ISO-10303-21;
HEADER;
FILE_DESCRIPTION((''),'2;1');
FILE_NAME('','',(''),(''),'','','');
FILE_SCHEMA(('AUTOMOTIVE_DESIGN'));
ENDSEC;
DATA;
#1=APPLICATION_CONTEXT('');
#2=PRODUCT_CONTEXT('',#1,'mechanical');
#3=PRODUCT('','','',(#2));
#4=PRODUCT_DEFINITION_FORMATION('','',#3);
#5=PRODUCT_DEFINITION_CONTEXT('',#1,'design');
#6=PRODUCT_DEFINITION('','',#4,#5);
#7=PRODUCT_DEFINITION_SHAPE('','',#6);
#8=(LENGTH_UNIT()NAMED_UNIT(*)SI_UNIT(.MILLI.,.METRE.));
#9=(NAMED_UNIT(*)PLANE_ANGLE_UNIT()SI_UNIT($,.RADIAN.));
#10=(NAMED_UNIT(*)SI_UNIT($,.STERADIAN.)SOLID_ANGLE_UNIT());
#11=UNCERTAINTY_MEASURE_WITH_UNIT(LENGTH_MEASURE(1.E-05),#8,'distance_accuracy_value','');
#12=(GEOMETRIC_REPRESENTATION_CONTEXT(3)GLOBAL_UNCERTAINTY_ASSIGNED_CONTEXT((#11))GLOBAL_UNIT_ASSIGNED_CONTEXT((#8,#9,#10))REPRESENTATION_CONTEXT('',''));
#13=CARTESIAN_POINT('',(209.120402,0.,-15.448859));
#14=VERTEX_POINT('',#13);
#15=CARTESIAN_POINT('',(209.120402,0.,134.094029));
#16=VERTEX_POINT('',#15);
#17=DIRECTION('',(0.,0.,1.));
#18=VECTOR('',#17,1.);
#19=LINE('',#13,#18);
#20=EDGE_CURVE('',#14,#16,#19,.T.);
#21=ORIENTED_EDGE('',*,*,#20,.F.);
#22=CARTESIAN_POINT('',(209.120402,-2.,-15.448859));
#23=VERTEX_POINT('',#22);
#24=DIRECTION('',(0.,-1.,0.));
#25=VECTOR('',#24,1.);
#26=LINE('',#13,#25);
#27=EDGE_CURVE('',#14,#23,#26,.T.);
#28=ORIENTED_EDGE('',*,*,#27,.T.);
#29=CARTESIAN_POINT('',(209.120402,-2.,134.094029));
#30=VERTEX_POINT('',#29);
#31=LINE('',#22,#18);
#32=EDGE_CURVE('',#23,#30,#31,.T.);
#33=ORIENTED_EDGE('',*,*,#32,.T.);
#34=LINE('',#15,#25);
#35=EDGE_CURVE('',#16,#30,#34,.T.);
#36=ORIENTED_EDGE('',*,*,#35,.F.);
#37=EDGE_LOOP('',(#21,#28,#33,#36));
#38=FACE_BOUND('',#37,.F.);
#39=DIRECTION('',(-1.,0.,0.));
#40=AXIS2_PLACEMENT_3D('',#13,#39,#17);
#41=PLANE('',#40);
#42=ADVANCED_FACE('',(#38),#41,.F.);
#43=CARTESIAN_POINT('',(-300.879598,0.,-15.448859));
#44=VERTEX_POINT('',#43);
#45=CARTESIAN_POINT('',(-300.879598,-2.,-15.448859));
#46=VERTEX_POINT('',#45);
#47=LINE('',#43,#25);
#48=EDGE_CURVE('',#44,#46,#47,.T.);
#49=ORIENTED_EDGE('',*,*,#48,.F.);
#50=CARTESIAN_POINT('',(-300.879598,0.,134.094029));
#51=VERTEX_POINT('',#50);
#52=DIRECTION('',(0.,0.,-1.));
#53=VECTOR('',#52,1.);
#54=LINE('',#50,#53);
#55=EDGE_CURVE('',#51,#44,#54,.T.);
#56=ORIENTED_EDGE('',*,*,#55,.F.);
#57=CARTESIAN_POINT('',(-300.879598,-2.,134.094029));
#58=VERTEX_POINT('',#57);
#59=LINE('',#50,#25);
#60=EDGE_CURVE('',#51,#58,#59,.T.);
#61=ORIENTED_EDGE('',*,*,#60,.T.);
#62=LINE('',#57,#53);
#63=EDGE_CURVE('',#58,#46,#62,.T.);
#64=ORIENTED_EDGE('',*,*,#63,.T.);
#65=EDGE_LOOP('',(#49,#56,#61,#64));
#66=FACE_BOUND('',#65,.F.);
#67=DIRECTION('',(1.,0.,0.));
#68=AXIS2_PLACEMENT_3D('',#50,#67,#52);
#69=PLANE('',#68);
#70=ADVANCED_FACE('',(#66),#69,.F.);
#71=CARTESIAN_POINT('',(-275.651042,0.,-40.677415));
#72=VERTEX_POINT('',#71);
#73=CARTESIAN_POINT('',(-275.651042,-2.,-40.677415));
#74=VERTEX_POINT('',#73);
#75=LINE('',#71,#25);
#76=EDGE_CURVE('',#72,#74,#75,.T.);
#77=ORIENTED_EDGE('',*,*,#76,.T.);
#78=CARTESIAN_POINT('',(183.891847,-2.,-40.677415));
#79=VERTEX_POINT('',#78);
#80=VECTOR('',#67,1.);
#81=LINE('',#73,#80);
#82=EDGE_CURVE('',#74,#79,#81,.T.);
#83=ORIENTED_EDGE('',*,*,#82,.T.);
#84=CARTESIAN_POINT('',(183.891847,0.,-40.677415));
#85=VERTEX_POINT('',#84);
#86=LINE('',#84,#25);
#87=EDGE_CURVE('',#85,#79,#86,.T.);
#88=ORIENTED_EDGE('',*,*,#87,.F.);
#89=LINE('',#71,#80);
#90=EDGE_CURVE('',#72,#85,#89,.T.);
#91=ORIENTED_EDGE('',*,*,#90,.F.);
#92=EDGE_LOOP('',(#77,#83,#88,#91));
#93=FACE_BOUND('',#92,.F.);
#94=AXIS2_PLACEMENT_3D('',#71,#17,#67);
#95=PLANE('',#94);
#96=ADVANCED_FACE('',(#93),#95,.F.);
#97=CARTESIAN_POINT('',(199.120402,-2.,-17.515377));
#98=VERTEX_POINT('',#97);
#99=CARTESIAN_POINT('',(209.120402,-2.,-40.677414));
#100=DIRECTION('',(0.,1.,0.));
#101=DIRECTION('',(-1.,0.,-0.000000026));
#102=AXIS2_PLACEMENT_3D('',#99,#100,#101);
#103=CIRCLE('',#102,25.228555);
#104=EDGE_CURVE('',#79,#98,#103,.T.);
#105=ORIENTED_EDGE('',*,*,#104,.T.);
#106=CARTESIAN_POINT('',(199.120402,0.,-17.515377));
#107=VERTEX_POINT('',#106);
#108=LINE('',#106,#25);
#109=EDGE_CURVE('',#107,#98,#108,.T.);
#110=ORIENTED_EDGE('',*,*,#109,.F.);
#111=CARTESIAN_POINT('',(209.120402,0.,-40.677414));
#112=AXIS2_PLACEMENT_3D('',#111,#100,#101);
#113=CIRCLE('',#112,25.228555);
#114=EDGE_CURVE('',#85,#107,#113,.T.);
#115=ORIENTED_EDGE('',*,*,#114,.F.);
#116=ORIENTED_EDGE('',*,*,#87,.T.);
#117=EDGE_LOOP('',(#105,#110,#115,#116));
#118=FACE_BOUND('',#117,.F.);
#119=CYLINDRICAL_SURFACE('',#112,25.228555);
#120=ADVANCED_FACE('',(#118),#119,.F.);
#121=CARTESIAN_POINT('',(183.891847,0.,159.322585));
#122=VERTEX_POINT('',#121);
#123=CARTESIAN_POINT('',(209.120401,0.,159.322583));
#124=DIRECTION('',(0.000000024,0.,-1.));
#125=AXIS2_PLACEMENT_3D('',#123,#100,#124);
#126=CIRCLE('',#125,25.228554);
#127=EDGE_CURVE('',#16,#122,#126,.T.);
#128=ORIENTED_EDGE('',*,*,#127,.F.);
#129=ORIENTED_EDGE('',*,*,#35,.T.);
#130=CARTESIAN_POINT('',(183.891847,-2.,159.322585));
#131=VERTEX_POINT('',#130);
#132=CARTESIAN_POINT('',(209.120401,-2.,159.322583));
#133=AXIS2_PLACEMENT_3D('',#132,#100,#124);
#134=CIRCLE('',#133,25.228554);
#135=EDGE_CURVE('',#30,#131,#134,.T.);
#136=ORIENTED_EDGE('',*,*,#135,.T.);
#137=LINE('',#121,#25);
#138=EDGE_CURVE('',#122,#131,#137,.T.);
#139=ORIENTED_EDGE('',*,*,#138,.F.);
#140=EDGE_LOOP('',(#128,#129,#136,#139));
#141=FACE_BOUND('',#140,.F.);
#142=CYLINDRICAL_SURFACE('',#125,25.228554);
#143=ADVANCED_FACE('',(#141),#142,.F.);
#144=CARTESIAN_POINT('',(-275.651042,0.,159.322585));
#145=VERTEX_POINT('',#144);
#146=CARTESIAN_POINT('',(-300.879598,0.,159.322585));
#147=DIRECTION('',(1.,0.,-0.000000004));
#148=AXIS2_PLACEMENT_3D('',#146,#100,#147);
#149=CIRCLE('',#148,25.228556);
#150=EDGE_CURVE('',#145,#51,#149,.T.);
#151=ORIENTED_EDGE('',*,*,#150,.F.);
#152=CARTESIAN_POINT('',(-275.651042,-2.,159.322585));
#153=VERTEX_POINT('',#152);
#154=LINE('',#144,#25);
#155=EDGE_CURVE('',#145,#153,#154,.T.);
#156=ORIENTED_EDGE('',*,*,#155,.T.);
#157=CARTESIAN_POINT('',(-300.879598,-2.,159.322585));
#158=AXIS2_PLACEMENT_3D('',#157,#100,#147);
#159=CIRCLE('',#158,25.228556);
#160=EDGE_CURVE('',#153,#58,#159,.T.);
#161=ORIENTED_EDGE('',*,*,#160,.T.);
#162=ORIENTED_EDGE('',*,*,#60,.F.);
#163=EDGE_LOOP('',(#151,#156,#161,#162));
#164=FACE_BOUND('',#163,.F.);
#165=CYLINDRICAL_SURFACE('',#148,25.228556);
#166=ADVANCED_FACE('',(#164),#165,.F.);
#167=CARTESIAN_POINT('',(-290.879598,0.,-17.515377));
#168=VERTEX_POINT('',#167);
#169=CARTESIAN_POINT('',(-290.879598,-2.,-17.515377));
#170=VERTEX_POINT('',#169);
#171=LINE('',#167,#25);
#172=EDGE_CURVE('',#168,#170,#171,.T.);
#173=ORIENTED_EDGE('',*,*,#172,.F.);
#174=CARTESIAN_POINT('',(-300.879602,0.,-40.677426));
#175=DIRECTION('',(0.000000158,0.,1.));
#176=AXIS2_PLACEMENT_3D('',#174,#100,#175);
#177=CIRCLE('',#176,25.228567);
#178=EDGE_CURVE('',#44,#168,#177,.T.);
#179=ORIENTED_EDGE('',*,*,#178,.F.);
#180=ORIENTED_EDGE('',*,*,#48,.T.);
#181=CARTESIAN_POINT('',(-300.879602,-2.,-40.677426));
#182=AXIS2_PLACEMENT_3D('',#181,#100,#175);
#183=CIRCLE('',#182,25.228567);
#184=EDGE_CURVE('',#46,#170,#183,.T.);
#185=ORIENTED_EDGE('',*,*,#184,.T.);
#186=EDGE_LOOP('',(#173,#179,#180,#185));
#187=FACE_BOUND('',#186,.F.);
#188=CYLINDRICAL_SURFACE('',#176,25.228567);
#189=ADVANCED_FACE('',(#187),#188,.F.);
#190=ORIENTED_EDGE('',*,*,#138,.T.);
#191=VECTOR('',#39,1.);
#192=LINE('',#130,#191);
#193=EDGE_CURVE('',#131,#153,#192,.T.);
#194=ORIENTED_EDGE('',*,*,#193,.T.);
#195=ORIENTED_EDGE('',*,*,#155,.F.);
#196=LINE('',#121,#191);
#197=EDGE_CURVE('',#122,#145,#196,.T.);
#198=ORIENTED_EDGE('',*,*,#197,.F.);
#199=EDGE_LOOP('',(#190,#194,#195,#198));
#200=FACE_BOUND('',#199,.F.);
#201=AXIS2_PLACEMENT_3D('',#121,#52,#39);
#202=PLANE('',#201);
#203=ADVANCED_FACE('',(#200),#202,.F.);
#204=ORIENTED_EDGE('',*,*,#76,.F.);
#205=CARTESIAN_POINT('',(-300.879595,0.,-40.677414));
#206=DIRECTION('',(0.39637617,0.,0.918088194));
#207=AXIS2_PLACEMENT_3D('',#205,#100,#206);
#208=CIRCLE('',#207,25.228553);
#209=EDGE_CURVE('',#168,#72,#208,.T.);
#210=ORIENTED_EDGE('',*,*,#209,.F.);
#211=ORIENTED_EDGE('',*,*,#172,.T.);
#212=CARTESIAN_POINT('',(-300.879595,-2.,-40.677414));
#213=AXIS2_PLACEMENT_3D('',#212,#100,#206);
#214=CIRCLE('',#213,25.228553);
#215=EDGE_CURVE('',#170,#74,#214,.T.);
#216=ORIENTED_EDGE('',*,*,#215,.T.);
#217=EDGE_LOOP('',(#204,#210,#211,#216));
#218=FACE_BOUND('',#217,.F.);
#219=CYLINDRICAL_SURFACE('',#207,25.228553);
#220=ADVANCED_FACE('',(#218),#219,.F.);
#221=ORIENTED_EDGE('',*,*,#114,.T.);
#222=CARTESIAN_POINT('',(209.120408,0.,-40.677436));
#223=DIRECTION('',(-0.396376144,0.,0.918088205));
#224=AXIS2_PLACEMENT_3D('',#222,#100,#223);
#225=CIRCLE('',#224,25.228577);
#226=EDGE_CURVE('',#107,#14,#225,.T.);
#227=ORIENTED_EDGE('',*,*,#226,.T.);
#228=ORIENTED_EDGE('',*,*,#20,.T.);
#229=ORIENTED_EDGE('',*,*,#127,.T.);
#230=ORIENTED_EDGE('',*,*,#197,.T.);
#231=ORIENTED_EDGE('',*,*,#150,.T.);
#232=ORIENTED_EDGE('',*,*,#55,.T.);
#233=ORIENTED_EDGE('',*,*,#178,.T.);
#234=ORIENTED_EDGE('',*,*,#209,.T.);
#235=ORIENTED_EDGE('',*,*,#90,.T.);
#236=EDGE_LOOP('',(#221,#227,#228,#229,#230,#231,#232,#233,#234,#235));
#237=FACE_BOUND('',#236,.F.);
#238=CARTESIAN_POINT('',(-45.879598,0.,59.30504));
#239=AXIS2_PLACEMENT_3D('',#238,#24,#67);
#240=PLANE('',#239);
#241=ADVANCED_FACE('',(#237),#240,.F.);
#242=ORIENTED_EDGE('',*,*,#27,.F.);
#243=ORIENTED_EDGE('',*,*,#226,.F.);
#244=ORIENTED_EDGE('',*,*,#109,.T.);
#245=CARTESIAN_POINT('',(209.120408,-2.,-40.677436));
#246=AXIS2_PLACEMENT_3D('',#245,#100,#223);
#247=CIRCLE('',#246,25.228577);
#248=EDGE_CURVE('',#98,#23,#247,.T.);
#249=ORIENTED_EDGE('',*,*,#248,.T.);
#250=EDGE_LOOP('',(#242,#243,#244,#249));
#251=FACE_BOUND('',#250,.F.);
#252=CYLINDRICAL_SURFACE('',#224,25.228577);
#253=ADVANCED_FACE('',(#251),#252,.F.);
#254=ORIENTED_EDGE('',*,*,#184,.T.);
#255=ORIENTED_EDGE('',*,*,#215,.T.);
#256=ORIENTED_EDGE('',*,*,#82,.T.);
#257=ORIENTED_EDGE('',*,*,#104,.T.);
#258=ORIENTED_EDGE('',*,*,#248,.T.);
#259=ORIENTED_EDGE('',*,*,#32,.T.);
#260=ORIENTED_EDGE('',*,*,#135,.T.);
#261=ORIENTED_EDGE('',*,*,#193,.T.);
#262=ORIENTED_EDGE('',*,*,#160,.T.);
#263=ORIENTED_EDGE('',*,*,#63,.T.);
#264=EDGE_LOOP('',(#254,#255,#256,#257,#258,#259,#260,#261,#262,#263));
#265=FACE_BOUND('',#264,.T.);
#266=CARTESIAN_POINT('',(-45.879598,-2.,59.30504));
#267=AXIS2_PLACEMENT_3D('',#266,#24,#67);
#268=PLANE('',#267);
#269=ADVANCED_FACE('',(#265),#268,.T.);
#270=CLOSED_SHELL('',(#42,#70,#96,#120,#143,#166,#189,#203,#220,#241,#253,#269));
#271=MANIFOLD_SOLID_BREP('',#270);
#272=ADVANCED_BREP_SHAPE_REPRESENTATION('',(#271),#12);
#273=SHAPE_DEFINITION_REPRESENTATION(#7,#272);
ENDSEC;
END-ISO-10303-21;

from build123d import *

# Parameters (mm, degrees)
F1_DEPTH = 2


with BuildPart() as f1:
    # F0 (on Front) → F1 (new body)
    with BuildSketch(Plane.XZ):
        with BuildLine():
            Line((-300.879598, 134.094029), (-300.879598, 129.322585))
            Line((-300.879598, 129.322585), (-300.879598, -15.448859))
            ThreePointArc((-300.879598, -15.448859), (-295.773951, -15.97089), (-290.879598, -17.515377))
            ThreePointArc((-290.879598, -17.515377), (-279.799209, -26.8175), (-275.651042, -40.677415))
            Line((-275.651042, -40.677415), (183.891847, -40.677415))
            ThreePointArc((183.891847, -40.677415), (188.040014, -26.8175), (199.120402, -17.515377))
            ThreePointArc((199.120402, -17.515377), (204.014756, -15.97089), (209.120402, -15.448859))
            Line((209.120402, -15.448859), (209.120402, 134.094029))
            ThreePointArc((209.120402, 134.094029), (191.281119, 141.483302), (183.891847, 159.322585))
            Line((183.891847, 159.322585), (-275.651042, 159.322585))
            ThreePointArc((-275.651042, 159.322585), (-283.040315, 141.483302), (-300.879598, 134.094029))
        make_face()
    extrude(amount=F1_DEPTH)


solid = f1.part
